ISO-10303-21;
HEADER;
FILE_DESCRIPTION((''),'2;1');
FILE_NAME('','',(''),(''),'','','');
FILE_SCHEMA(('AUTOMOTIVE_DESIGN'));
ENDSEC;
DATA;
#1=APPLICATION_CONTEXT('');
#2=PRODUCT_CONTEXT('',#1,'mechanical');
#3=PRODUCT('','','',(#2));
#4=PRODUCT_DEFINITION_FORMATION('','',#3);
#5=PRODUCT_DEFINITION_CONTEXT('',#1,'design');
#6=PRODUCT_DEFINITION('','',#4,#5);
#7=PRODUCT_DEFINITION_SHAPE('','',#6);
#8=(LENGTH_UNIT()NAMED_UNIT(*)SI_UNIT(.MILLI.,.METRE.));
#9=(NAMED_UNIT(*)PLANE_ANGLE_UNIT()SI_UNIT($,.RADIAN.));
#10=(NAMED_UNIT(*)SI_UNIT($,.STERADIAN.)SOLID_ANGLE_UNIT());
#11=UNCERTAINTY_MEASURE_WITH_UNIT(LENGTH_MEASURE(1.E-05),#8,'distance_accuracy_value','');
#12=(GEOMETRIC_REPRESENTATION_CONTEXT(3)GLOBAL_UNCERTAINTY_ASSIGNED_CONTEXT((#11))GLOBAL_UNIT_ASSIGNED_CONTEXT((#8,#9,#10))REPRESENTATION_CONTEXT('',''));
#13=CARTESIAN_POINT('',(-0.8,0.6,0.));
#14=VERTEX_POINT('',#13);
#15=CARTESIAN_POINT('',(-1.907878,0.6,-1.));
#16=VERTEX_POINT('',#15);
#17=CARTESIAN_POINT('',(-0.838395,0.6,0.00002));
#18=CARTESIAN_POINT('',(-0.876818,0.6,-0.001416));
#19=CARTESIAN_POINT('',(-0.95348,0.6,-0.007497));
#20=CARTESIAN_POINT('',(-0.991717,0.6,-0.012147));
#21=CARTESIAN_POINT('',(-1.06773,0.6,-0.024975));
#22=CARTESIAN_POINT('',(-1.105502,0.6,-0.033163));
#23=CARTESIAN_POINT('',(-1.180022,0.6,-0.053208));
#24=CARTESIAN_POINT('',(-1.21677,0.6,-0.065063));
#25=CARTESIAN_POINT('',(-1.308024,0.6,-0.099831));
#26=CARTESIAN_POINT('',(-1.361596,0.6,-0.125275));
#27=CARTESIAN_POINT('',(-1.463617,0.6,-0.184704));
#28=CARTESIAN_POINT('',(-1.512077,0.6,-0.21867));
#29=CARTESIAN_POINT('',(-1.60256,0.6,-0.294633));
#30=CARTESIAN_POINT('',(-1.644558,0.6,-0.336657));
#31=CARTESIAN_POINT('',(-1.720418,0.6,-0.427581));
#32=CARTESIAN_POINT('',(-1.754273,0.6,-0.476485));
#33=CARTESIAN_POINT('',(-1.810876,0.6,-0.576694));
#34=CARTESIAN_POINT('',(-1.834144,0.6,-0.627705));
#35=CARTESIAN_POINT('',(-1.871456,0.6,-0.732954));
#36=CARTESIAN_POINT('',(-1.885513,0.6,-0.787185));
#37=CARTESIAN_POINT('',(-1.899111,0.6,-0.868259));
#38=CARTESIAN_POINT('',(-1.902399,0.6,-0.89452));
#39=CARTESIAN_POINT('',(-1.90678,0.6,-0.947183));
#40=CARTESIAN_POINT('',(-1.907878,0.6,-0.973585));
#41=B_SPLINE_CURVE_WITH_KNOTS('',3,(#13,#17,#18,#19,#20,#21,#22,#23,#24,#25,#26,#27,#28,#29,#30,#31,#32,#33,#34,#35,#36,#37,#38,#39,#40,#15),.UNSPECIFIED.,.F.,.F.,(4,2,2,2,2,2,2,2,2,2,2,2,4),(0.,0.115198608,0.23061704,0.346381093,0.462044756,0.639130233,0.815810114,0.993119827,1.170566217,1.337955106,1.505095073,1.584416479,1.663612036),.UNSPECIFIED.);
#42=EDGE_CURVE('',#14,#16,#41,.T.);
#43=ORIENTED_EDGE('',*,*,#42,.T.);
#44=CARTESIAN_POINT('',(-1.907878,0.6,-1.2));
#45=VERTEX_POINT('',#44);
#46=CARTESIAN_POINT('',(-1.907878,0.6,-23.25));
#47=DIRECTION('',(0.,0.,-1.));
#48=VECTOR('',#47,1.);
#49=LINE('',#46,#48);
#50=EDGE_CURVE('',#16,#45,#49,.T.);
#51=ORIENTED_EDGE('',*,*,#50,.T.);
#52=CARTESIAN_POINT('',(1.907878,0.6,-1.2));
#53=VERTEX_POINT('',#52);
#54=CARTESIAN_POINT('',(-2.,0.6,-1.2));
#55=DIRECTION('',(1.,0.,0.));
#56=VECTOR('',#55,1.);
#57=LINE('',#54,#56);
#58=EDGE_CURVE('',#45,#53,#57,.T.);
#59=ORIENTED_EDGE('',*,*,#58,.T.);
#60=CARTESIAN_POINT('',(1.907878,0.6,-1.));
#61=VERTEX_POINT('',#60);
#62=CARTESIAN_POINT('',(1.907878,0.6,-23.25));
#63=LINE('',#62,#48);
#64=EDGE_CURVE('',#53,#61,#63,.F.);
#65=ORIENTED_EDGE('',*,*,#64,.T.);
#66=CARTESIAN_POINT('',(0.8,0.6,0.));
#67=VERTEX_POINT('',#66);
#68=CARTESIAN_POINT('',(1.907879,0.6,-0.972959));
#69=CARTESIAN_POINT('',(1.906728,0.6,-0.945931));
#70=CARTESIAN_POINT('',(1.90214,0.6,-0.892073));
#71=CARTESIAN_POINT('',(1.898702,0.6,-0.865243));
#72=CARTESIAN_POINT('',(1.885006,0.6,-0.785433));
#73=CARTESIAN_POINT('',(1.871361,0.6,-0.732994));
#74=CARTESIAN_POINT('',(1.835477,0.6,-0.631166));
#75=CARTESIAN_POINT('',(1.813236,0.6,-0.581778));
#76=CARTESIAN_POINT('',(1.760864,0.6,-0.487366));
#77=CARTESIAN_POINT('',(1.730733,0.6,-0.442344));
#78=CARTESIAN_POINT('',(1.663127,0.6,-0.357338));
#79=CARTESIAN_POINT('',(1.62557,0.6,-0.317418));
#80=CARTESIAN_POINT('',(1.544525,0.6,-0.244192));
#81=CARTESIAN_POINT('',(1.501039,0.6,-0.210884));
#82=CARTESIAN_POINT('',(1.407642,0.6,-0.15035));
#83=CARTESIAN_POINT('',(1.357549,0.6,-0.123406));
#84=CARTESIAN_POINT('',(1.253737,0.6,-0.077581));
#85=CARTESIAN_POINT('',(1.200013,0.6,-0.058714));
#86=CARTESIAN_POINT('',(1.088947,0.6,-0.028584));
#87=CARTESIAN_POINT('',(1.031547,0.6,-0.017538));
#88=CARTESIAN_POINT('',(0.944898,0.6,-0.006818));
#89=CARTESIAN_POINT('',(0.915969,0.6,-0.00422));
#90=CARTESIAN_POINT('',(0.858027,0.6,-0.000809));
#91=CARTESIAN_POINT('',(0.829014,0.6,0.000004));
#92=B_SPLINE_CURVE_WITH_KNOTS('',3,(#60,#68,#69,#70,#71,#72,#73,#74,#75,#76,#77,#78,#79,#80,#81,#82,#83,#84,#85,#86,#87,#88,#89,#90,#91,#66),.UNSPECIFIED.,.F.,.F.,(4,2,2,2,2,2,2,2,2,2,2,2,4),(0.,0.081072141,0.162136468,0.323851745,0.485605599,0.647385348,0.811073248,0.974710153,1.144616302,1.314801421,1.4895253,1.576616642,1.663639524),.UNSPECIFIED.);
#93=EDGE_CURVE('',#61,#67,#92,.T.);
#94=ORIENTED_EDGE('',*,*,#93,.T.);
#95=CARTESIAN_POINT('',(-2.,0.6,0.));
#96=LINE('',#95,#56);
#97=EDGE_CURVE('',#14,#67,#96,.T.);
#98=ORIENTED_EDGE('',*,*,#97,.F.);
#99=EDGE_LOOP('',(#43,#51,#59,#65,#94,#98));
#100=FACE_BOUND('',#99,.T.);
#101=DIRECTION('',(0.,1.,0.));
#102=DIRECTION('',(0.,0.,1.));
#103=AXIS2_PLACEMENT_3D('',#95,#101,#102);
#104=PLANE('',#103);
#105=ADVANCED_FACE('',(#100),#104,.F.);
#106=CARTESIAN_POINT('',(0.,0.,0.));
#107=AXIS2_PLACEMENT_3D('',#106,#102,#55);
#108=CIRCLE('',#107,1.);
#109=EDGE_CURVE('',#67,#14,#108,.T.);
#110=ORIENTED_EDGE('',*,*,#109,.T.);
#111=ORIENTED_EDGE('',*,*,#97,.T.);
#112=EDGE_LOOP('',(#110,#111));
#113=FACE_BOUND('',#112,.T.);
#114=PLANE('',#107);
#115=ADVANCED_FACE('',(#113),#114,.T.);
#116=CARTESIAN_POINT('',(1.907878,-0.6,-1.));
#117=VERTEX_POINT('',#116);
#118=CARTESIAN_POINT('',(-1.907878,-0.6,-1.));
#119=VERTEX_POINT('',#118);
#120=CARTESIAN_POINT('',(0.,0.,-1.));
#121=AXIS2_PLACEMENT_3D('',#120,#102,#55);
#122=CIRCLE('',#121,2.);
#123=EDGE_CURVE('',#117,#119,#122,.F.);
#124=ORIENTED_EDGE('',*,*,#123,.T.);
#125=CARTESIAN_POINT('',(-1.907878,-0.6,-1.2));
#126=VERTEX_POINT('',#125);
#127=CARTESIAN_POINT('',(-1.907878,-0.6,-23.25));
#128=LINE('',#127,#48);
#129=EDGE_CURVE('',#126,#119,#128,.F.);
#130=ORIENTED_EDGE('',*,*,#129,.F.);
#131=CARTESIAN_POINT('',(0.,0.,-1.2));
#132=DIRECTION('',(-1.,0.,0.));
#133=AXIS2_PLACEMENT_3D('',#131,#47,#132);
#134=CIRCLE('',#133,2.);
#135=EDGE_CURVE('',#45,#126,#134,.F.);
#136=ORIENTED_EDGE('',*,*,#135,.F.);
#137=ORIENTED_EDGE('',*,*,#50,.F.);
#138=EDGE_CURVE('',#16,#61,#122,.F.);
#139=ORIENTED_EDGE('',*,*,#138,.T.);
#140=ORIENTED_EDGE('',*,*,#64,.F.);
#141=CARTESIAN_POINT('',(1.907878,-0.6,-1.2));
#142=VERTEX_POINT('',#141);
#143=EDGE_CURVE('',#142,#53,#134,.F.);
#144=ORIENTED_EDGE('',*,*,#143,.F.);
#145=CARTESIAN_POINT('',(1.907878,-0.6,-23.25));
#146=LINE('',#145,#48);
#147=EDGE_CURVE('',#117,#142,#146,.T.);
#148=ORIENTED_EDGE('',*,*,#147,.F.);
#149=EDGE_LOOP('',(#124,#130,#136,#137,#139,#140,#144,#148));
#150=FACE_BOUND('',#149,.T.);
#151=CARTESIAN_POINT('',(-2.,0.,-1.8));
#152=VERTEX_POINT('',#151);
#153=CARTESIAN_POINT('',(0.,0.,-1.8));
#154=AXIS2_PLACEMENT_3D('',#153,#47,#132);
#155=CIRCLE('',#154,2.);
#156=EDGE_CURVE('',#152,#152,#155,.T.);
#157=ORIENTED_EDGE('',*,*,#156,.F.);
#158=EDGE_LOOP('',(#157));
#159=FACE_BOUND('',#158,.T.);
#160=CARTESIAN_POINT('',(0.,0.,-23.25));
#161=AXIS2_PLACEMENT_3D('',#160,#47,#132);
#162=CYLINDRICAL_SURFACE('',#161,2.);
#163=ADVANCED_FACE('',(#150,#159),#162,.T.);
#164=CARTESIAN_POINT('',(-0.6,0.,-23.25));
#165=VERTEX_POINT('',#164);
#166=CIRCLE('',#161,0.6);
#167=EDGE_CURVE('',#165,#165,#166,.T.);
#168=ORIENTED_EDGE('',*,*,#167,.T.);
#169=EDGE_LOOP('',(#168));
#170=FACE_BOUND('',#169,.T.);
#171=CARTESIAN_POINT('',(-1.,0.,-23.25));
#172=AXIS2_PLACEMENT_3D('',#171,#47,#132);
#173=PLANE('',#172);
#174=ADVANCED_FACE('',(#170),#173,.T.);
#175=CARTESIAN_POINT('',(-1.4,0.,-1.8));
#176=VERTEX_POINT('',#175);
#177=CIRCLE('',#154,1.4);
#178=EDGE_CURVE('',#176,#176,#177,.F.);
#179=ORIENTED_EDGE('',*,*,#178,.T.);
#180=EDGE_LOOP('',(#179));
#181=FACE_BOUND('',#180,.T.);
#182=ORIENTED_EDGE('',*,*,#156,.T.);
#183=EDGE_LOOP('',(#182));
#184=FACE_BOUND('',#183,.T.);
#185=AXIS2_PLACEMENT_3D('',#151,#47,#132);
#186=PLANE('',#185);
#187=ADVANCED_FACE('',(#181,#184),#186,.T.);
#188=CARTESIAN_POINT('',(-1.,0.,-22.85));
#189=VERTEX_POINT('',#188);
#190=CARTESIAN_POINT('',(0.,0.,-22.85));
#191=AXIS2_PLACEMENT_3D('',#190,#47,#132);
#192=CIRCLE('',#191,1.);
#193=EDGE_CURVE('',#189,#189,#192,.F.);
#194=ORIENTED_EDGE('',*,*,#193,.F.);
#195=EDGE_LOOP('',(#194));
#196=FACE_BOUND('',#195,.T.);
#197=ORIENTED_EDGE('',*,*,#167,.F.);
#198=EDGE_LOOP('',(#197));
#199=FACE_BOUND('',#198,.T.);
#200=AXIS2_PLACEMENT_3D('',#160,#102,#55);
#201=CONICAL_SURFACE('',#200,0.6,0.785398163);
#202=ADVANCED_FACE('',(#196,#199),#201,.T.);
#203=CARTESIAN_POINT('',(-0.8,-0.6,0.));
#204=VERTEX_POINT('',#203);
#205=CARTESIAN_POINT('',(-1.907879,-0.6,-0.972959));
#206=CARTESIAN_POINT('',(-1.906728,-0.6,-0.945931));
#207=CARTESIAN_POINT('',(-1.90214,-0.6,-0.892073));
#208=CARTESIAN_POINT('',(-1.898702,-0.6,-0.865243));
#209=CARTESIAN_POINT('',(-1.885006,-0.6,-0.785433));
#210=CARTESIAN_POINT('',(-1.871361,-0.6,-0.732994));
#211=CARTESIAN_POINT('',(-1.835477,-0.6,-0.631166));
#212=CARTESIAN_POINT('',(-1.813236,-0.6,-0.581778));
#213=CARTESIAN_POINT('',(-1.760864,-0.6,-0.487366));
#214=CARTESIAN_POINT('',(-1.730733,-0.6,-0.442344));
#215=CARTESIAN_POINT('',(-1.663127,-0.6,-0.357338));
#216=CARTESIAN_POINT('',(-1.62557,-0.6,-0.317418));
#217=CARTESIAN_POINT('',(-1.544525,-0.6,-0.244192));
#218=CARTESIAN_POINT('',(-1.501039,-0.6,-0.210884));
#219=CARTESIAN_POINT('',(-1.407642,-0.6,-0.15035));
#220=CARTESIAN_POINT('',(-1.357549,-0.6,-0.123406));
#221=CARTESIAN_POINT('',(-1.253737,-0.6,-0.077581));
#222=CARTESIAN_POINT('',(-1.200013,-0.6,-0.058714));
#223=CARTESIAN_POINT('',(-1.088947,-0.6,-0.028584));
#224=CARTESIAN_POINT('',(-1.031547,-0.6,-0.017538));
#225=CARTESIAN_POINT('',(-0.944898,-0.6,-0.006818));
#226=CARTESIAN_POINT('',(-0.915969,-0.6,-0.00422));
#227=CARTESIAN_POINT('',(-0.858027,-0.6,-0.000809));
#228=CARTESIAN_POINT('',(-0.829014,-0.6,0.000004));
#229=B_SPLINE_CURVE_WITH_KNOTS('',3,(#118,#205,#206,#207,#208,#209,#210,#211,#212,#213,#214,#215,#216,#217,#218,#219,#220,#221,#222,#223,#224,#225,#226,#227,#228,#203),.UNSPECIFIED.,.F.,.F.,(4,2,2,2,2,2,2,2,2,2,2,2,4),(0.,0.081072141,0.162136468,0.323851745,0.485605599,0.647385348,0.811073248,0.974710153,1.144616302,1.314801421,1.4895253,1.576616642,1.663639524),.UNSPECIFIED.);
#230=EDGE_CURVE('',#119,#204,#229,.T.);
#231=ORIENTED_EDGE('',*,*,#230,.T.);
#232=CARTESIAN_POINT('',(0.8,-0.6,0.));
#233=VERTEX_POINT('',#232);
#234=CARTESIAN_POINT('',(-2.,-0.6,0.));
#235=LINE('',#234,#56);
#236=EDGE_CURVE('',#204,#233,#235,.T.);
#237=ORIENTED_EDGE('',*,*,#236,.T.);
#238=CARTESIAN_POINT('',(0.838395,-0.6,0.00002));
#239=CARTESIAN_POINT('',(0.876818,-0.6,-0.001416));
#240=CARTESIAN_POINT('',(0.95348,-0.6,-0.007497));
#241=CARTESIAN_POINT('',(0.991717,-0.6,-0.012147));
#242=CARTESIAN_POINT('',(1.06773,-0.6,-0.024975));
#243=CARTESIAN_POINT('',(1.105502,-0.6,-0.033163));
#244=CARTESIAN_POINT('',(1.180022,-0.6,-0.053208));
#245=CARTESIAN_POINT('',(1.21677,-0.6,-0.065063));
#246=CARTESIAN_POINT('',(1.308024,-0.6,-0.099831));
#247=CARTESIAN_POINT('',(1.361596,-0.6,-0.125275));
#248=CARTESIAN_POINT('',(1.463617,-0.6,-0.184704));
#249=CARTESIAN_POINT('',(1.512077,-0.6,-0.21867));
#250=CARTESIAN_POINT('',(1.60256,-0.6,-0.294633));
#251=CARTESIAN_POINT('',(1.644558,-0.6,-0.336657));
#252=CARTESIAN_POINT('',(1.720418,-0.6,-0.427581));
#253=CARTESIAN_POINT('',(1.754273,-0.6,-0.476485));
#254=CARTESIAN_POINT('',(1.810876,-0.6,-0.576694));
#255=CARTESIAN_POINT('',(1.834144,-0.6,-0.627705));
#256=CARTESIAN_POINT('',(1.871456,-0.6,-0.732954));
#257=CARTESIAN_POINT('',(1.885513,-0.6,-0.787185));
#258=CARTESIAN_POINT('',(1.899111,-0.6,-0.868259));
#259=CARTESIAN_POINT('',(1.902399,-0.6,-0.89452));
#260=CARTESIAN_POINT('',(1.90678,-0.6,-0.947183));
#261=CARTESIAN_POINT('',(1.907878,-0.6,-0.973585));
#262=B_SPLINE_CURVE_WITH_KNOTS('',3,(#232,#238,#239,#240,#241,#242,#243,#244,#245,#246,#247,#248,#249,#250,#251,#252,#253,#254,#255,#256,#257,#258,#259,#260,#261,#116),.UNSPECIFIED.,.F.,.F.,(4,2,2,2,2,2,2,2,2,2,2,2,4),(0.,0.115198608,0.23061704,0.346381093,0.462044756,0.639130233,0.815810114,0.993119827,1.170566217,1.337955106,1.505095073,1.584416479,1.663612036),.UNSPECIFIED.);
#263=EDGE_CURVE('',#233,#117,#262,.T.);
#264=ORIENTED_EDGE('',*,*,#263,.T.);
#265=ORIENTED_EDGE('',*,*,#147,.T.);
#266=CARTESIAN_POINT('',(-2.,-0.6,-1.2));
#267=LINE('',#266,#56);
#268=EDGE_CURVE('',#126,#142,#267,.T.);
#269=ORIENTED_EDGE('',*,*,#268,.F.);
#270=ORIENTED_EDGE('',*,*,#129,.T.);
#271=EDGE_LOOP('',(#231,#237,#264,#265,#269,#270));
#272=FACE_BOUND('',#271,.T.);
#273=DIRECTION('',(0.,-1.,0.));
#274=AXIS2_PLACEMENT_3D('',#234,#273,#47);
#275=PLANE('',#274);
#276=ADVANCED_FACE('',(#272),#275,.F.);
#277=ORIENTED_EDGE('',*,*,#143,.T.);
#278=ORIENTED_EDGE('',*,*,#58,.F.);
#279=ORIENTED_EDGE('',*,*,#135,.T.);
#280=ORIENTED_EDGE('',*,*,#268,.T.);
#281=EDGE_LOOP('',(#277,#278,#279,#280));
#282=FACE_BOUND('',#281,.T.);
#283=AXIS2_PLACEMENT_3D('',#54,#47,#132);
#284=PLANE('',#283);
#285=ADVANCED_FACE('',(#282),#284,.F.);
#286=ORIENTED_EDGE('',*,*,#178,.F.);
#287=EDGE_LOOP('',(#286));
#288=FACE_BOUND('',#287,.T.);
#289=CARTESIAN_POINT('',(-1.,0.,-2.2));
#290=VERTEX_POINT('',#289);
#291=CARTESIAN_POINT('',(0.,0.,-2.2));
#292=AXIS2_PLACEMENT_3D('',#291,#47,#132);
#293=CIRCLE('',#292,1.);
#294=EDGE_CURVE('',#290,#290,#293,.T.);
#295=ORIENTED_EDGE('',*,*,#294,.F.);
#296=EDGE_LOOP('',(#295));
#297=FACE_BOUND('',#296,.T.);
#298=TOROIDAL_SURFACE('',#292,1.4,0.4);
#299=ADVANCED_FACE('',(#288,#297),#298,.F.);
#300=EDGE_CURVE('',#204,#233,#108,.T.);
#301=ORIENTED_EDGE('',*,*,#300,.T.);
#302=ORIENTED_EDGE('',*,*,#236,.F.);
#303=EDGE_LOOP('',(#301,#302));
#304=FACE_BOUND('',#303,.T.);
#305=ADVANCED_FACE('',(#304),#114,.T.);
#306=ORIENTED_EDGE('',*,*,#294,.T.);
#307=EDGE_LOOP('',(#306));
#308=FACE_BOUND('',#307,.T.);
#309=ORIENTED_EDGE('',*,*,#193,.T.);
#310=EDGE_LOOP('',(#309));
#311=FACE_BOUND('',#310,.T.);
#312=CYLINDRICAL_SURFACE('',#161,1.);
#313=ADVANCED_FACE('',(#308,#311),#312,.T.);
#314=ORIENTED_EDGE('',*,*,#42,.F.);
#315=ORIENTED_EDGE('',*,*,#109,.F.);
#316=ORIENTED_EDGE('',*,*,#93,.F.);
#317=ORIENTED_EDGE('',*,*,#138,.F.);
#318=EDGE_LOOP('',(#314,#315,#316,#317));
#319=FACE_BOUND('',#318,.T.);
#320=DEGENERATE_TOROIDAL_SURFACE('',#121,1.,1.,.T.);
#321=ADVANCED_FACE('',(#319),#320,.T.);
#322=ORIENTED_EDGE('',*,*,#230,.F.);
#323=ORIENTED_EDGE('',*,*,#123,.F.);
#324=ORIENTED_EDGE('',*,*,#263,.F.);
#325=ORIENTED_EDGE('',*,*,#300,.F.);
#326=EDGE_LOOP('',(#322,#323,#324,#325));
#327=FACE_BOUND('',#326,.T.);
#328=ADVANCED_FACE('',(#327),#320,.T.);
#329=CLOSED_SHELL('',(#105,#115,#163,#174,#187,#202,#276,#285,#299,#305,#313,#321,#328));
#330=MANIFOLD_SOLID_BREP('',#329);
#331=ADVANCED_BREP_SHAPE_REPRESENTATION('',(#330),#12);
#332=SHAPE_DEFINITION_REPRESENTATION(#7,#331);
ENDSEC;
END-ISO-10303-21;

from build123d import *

# Parameters (mm, degrees)
SKETCH_2_W               = 1.2
SKETCH_2_H               = 1.2
CUT_EXTRUDE_1_DEPTH      = 3
CUT_EXTRUDE_1_DEPTH_BACK = 3
CHAMFER_1_SIZE           = 0.4
FILLET_1_R               = 1
FILLET_2_R               = 0.4


with BuildPart() as part:
    # Эскиз1 → Повернуть1 (revolve)
    with BuildSketch(Plane(origin=(0, 0, 0), x_dir=(1, 0, 0), z_dir=(0, 1, 0))):
        Polygon((0, 0), (-2, 0), (-2, 1.8), (-1, 1.8), (-1, 23.25), (0, 23.25), align=None)
    revolve(axis=Axis((0, 0, -23.25), (0, 0, 1)))

    # Эскиз2 → Вырез-Вытянуть1 (cut, two sides)
    with BuildSketch(Plane(origin=(0, 0, 0), x_dir=(0, 0, -1), z_dir=(1, 0, 0))) as cut_extrude_1_sk:
        with Locations((0.6, 0)):
            Rectangle(SKETCH_2_W, SKETCH_2_H)
    extrude(amount=CUT_EXTRUDE_1_DEPTH, mode=Mode.SUBTRACT)
    extrude(cut_extrude_1_sk.sketch, amount=-CUT_EXTRUDE_1_DEPTH_BACK, mode=Mode.SUBTRACT)

    # Фаска1
    chamfer_1_edges = [part.edges().sort_by_distance(p)[0] for p in [
        (1, 0, -23.25),
    ]]
    chamfer(chamfer_1_edges, length=CHAMFER_1_SIZE)

    # Скругление1
    fillet_1_edges = [part.edges().sort_by_distance(p)[0] for p in [
        (0, 2, 0),
        (0, -2, 0),
    ]]
    fillet(fillet_1_edges, radius=FILLET_1_R)

    # Скругление2
    fillet_2_edges = [part.edges().sort_by_distance(p)[0] for p in [
        (1, 0, -1.8),
    ]]
    fillet(fillet_2_edges, radius=FILLET_2_R)


solid = part.part
